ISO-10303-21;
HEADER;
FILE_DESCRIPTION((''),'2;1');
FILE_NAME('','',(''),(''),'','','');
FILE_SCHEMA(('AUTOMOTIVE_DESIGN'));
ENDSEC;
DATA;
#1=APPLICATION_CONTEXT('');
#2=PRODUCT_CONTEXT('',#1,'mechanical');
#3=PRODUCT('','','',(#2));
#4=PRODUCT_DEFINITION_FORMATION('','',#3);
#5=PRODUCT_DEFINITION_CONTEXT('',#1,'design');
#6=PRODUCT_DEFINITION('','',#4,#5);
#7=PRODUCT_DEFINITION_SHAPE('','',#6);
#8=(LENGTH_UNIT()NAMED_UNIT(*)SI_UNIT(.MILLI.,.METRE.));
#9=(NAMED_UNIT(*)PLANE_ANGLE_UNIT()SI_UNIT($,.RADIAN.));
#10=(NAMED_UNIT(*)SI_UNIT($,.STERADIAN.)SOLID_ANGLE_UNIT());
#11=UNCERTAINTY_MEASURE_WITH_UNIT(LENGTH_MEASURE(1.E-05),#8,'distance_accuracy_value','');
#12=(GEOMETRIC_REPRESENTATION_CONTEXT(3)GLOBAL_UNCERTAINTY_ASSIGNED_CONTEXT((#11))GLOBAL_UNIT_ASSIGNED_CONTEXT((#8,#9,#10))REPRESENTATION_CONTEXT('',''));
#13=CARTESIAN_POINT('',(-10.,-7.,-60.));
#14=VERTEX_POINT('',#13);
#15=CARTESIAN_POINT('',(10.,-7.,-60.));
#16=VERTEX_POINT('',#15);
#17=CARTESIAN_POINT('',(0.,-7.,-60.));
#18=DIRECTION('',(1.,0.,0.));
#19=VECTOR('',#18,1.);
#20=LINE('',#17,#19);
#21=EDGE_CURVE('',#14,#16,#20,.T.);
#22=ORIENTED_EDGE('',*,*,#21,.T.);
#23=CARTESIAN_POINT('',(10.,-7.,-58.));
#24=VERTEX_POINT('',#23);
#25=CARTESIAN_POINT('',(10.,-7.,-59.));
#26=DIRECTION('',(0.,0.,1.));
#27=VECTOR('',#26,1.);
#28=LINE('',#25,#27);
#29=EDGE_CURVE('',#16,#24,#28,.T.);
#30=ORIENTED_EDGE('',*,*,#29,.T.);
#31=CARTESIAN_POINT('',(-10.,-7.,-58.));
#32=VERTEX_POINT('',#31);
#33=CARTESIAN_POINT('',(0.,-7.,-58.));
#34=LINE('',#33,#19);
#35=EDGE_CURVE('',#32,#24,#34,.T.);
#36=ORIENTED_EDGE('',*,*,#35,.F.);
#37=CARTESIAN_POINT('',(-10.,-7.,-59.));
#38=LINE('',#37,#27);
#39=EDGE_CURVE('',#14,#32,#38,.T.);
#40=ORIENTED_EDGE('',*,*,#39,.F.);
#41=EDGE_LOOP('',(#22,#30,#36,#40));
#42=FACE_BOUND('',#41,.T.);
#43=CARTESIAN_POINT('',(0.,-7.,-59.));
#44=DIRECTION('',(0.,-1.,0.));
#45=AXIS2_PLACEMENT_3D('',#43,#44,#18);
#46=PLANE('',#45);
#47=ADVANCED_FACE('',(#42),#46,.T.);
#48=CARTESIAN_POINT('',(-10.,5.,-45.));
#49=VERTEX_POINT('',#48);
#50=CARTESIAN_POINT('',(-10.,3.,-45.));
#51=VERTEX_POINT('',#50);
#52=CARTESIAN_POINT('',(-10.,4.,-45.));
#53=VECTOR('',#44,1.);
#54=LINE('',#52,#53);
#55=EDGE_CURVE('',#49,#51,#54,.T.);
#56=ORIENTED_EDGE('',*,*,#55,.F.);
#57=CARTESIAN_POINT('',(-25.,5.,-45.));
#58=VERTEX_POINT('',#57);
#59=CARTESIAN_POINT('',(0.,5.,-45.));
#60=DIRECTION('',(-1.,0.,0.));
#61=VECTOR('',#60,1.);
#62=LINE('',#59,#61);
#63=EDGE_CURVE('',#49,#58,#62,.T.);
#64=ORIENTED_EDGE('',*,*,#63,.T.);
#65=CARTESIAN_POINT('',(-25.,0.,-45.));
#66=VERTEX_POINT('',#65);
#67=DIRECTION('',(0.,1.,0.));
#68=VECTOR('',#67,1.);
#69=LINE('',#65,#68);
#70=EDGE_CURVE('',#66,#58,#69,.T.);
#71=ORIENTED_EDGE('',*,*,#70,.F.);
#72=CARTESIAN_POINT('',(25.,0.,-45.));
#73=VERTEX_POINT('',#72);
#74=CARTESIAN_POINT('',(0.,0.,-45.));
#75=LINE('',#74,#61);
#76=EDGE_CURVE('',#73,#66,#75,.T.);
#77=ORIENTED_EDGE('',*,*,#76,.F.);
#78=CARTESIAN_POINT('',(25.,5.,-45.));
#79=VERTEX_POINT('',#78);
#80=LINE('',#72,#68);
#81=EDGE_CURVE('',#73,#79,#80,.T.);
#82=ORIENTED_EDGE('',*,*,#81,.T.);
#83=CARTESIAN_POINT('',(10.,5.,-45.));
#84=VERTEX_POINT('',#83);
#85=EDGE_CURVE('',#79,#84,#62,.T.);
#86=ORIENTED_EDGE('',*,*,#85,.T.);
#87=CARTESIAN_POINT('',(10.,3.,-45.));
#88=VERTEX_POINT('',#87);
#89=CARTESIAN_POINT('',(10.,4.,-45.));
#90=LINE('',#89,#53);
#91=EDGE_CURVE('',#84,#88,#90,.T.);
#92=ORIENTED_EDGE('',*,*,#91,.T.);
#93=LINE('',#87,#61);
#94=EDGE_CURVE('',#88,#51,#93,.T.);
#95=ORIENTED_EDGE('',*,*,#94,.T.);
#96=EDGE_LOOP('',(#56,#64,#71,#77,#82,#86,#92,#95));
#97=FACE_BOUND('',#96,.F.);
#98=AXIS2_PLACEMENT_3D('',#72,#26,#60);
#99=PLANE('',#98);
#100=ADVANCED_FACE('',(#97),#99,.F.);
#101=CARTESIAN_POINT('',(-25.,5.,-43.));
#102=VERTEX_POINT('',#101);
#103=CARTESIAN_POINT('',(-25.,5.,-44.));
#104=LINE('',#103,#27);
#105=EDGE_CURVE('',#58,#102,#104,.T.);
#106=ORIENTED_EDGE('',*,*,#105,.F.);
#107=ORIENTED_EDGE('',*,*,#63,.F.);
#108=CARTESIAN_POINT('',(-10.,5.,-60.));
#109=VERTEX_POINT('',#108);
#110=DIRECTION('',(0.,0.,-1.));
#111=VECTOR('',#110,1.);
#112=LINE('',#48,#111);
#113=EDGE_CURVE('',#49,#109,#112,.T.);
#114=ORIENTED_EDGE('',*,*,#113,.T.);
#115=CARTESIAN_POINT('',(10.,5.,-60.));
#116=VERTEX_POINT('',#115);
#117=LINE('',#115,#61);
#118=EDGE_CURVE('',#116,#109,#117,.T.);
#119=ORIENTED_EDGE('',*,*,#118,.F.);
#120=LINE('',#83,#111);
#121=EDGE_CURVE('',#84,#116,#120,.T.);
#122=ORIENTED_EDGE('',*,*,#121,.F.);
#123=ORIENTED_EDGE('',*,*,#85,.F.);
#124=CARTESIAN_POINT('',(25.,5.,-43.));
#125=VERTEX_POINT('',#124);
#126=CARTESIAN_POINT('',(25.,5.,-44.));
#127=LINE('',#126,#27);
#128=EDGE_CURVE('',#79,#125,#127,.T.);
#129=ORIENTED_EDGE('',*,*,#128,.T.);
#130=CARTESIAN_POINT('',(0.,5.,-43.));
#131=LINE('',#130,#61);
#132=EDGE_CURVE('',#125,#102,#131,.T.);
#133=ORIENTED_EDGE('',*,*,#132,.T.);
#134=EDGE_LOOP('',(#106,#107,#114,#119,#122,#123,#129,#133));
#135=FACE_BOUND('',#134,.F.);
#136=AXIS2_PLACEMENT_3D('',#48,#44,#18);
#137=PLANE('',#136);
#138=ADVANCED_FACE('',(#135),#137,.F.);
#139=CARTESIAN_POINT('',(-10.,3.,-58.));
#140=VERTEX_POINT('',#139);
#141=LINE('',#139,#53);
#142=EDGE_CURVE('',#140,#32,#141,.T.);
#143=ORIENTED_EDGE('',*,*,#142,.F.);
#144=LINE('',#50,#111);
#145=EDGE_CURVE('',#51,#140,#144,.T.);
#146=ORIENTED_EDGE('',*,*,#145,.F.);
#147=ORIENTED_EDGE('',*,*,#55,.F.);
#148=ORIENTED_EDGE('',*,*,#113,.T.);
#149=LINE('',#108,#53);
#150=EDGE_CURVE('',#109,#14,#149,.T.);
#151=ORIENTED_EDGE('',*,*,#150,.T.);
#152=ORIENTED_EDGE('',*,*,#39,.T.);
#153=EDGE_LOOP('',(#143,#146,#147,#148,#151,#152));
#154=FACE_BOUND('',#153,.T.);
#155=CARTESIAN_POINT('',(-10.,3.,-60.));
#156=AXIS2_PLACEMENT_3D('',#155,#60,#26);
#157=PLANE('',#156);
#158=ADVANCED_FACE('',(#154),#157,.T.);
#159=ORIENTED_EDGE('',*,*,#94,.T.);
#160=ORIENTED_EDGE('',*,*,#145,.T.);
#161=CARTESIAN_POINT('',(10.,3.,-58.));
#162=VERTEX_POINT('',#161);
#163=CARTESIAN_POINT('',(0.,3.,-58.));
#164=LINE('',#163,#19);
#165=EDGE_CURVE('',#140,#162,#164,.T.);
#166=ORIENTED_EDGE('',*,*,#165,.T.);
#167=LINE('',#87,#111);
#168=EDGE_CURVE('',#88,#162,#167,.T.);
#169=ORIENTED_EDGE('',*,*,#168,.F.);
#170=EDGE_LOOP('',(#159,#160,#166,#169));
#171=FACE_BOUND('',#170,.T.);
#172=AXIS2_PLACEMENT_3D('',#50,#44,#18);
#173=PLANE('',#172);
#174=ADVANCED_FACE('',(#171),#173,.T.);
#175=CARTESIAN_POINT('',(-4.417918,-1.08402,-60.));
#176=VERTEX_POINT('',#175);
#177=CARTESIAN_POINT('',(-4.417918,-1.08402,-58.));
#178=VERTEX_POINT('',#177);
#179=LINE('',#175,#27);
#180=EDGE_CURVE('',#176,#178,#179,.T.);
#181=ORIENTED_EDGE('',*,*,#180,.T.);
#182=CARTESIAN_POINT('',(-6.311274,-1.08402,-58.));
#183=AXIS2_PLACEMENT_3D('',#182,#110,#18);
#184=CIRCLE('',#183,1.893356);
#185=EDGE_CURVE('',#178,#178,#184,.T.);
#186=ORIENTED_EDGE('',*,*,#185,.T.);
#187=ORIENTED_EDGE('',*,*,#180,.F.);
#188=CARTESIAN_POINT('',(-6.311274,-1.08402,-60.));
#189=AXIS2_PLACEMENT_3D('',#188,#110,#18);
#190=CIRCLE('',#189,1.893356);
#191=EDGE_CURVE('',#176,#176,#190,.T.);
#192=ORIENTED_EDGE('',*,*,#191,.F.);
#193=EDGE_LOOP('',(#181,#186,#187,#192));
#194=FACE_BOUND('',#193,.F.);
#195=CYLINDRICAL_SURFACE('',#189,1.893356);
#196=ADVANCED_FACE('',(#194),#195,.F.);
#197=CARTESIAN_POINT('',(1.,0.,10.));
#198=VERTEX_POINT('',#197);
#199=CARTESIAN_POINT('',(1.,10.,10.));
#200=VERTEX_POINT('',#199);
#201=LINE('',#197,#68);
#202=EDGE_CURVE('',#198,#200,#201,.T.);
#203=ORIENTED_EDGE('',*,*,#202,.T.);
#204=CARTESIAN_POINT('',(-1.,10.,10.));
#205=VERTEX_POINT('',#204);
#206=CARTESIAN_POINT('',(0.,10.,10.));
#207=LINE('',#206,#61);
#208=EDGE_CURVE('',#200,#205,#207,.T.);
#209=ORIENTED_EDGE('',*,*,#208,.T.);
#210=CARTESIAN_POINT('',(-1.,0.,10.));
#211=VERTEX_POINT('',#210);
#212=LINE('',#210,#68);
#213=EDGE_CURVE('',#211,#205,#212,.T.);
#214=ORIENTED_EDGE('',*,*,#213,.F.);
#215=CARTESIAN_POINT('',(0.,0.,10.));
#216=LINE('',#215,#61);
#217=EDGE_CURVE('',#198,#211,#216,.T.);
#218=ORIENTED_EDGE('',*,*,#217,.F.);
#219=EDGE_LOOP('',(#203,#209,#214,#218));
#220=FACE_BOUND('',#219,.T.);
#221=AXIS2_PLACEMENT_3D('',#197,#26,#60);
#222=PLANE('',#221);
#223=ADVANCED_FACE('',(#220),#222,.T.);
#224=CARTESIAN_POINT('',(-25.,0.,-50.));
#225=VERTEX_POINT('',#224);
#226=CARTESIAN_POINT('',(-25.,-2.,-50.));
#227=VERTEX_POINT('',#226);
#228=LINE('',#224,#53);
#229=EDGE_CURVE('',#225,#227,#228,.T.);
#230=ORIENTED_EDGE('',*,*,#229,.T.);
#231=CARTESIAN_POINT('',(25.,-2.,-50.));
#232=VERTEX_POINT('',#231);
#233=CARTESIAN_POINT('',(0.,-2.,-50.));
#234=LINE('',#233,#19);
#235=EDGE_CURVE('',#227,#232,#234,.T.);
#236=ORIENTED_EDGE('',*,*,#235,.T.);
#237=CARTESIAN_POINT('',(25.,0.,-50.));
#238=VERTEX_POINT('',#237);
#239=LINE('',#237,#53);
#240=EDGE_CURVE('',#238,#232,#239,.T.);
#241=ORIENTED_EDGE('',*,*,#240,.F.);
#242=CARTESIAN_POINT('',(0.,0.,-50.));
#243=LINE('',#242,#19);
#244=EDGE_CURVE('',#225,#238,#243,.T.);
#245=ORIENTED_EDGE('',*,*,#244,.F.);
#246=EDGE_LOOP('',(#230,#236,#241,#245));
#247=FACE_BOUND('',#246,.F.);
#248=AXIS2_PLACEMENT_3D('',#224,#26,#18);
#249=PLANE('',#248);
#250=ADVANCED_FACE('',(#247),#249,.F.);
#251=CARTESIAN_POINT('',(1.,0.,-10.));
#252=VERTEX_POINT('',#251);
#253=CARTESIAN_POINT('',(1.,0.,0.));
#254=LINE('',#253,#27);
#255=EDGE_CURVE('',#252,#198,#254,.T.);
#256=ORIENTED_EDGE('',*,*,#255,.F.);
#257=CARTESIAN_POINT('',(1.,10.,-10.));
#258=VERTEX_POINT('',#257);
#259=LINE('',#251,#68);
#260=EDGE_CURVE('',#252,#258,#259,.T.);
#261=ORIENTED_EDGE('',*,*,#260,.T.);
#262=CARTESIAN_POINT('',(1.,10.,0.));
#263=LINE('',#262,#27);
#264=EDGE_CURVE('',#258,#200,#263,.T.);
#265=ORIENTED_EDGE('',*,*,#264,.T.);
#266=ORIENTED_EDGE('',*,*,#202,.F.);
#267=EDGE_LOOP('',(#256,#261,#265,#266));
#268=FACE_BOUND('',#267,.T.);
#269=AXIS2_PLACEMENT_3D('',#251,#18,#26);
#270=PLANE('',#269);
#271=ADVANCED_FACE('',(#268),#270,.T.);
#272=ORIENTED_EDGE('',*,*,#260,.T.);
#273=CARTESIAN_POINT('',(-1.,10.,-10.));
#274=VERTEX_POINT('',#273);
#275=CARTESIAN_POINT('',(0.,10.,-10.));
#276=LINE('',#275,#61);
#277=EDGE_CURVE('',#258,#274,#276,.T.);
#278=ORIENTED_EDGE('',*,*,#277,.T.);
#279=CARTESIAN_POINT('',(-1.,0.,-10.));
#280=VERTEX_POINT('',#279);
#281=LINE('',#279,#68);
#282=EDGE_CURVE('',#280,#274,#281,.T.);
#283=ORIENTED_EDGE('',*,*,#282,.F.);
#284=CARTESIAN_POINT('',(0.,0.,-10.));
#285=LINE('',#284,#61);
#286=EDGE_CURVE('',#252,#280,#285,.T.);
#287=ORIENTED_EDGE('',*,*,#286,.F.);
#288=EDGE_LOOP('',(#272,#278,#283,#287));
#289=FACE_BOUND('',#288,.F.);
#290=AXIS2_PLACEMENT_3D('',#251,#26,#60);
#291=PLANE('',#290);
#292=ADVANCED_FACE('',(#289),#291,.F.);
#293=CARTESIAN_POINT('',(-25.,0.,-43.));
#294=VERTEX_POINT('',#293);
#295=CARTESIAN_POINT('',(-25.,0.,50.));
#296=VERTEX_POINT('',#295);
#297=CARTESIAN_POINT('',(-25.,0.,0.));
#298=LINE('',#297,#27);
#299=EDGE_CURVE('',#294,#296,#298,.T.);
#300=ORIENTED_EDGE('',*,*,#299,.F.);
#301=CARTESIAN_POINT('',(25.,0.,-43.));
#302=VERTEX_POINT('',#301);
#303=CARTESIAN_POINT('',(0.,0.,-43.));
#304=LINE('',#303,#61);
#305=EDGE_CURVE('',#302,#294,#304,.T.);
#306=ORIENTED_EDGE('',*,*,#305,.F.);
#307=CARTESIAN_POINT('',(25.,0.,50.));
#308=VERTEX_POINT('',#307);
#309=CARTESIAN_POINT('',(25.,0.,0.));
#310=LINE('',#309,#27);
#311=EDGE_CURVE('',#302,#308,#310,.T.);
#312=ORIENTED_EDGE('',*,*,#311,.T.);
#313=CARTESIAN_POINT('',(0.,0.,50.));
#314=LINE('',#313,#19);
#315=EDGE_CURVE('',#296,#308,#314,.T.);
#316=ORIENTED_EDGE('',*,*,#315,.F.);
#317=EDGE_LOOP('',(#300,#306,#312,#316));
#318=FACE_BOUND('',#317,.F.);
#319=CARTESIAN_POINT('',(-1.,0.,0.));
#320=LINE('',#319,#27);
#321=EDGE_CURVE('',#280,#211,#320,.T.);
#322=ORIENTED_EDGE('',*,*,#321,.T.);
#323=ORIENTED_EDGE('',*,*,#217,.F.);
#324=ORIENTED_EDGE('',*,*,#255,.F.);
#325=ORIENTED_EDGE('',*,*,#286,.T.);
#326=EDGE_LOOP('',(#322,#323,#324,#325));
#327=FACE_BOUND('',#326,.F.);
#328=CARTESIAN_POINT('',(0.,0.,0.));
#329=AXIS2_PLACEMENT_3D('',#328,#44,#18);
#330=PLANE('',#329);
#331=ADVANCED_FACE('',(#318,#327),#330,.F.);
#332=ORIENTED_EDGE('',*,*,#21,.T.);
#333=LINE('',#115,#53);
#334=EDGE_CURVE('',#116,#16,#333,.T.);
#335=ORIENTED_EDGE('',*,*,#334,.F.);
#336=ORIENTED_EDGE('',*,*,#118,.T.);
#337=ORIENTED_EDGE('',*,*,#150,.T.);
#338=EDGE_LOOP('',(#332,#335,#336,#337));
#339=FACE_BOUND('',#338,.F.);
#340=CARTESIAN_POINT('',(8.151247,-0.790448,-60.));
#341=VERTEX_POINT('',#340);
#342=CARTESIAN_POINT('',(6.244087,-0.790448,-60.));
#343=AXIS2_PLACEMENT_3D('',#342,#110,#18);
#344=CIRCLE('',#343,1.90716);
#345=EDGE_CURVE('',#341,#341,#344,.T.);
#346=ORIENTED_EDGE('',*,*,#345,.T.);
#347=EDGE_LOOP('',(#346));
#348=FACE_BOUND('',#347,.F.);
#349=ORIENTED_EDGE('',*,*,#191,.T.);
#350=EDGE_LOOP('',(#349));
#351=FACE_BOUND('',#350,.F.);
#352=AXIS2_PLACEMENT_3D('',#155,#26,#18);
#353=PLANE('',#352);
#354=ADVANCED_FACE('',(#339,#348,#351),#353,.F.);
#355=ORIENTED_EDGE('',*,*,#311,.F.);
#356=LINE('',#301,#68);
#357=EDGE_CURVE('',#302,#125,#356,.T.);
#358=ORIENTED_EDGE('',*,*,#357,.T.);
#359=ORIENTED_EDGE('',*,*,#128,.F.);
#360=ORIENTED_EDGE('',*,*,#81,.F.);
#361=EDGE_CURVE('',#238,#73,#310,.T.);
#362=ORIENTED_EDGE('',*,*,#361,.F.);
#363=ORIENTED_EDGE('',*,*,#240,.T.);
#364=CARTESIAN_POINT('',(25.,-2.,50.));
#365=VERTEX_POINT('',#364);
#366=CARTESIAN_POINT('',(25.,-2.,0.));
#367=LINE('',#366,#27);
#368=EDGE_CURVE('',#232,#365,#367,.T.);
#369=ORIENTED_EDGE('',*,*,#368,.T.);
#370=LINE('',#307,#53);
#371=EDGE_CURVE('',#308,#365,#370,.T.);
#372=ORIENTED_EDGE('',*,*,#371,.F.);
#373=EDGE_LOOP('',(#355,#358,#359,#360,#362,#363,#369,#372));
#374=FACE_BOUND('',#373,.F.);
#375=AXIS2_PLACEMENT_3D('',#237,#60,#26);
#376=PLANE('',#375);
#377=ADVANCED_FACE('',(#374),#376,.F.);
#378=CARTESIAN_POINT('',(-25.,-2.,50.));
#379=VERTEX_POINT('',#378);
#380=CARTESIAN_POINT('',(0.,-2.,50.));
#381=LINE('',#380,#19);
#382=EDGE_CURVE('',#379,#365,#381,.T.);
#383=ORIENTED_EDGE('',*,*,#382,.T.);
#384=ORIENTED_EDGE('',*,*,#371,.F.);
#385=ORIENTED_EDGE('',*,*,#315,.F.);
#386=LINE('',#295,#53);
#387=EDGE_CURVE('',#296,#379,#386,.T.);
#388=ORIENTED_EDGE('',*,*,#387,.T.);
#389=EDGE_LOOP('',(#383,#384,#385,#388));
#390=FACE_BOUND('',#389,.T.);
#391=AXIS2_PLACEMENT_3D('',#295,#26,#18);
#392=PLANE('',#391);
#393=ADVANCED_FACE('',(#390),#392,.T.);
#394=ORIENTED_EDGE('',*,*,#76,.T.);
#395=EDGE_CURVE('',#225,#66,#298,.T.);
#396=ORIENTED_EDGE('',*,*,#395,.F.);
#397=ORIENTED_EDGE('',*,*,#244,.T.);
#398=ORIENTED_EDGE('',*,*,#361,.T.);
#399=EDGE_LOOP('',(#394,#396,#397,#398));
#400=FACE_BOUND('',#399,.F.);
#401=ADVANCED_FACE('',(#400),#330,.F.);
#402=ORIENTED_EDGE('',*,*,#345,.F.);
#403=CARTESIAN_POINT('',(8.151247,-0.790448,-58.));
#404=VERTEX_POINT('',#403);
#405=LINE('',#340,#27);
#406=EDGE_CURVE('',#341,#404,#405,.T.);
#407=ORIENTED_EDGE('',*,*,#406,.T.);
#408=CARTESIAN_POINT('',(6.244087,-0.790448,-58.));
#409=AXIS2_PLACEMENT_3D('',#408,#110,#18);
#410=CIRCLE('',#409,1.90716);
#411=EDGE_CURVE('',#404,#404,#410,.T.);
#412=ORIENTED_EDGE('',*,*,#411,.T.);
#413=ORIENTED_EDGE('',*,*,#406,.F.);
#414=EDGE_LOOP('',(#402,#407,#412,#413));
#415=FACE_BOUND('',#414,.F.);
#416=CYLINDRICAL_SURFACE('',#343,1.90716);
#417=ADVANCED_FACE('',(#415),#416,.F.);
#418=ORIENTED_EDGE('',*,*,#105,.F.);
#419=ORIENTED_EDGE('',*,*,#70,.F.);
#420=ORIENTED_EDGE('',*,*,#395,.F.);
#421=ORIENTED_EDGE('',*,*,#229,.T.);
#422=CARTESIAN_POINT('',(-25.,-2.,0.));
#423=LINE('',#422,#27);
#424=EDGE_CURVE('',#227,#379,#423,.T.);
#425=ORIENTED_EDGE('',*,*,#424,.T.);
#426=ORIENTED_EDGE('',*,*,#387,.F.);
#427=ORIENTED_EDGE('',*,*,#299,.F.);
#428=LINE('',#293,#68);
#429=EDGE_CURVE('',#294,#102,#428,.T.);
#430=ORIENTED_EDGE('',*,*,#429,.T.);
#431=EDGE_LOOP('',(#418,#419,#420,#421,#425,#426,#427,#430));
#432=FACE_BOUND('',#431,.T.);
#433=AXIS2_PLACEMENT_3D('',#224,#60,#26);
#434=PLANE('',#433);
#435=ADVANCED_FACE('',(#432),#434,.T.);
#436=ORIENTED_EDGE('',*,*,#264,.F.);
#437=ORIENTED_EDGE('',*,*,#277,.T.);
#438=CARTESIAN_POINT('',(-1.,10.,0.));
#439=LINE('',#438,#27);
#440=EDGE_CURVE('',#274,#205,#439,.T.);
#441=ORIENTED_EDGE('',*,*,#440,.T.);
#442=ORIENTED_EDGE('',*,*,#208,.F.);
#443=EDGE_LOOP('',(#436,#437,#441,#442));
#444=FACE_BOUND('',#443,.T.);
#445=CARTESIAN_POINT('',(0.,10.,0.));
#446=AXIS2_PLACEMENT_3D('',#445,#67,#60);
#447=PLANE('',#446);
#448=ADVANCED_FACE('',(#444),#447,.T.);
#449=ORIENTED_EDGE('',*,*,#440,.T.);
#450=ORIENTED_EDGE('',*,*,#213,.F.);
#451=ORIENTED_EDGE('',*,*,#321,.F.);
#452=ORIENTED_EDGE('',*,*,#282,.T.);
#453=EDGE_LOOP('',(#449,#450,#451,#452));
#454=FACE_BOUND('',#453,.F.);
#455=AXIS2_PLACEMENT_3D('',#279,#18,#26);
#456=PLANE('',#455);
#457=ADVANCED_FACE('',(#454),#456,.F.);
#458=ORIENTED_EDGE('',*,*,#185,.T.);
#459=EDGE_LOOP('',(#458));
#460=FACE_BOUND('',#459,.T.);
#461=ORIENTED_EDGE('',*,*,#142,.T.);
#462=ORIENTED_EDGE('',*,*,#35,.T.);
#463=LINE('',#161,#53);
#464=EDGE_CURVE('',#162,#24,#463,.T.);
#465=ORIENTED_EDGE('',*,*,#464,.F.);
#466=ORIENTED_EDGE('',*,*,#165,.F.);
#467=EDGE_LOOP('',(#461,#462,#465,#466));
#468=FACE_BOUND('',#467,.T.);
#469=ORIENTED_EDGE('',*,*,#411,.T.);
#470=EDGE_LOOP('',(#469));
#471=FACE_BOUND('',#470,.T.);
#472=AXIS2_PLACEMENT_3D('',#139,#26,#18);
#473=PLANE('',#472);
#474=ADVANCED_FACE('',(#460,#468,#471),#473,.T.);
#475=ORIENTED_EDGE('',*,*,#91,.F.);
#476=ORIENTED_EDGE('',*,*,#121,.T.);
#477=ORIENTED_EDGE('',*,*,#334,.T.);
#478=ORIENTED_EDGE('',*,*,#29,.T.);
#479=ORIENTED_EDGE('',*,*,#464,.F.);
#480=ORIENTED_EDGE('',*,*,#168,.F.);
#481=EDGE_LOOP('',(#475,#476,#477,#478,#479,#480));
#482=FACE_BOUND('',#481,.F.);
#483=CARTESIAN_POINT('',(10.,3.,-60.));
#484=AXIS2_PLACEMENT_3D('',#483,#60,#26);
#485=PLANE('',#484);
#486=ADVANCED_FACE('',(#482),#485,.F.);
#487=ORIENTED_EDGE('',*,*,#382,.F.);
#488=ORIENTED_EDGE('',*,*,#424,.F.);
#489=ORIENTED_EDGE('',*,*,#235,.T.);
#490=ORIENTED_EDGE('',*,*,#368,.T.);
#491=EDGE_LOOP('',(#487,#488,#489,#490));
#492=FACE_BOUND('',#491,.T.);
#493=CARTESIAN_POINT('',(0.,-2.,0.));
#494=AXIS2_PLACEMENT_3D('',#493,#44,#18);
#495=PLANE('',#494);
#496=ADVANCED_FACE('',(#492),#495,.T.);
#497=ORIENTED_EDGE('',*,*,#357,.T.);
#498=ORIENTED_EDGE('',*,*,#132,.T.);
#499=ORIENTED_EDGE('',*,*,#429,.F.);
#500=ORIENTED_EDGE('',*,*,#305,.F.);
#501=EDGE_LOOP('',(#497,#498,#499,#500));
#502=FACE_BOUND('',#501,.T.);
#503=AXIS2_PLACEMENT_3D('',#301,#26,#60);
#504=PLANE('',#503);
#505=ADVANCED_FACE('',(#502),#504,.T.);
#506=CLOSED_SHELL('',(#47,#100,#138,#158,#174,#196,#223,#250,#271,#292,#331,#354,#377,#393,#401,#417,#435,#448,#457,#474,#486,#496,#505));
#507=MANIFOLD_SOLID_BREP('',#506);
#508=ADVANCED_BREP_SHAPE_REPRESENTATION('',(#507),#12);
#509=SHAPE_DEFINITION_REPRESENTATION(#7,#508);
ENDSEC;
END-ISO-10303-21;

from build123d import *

# Parameters (mm, degrees)
F0_W      = 50
F0_H      = 100
F1_DEPTH  = 2
F2_W      = 50
F2_H      = 2
F3_DEPTH  = 5
F4_W      = 10
F4_H      = 2
F5_DEPTH  = 15
F6_W      = 10
F6_H      = 2
F7_DEPTH  = 15
F8_W      = 20
F8_H      = 2
F9_DEPTH  = 10
F10_R     = 1.893356
F11_DEPTH = 3
F12_R     = 1.90716
F13_DEPTH = 3
F14_W     = 2
F14_H     = 20
F15_DEPTH = 10


with BuildPart() as f1:
    # F0 (on Front) → F1 (new body)
    with BuildSketch(Plane.XZ):
        Rectangle(F0_W, F0_H)
    extrude(amount=F1_DEPTH)

    # F2 (on face) → F3 (join)
    with BuildSketch(Plane(origin=(0, 0, 0), x_dir=(-1, 0, 0), z_dir=(0, 1, 0))):
        with Locations((0, -44)):
            Rectangle(F2_W, F2_H)
    extrude(amount=F3_DEPTH)

    # F4 (on face) → F5 (join)
    with BuildSketch(Plane(origin=(0, 0, -45), x_dir=(1, 0, 0), z_dir=(0, 0, -1))):
        with Locations((5, -4)):
            Rectangle(F4_W, F4_H)
    extrude(amount=F5_DEPTH)

    # F6 (on face) → F7 (join)
    with BuildSketch(Plane(origin=(0, 0, -45), x_dir=(1, 0, 0), z_dir=(0, 0, -1))):
        with Locations((-5, -4)):
            Rectangle(F6_W, F6_H)
    extrude(amount=F7_DEPTH)

    # F8 (on face) → F9 (join)
    with BuildSketch(Plane.XZ.offset(-3)):
        with Locations((0, -59)):
            Rectangle(F8_W, F8_H)
    extrude(amount=F9_DEPTH)

    # F10 (on face) → F11 (cut)
    with BuildSketch(Plane(origin=(0, 0, -60), x_dir=(1, 0, 0), z_dir=(0, 0, -1))):
        with Locations((-6.311274, 1.08402)):
            Circle(F10_R)
    extrude(amount=-F11_DEPTH, mode=Mode.SUBTRACT)

    # F12 (on face) → F13 (cut)
    with BuildSketch(Plane(origin=(0, 0, -60), x_dir=(1, 0, 0), z_dir=(0, 0, -1))):
        with Locations((6.244087, 0.790448)):
            Circle(F12_R)
    extrude(amount=-F13_DEPTH, mode=Mode.SUBTRACT)

    # F14 (on face) → F15 (join)
    with BuildSketch(Plane(origin=(0, 0, 0), x_dir=(-1, 0, 0), z_dir=(0, 1, 0))):
        Rectangle(F14_W, F14_H)
    extrude(amount=F15_DEPTH)


solid = f1.part
